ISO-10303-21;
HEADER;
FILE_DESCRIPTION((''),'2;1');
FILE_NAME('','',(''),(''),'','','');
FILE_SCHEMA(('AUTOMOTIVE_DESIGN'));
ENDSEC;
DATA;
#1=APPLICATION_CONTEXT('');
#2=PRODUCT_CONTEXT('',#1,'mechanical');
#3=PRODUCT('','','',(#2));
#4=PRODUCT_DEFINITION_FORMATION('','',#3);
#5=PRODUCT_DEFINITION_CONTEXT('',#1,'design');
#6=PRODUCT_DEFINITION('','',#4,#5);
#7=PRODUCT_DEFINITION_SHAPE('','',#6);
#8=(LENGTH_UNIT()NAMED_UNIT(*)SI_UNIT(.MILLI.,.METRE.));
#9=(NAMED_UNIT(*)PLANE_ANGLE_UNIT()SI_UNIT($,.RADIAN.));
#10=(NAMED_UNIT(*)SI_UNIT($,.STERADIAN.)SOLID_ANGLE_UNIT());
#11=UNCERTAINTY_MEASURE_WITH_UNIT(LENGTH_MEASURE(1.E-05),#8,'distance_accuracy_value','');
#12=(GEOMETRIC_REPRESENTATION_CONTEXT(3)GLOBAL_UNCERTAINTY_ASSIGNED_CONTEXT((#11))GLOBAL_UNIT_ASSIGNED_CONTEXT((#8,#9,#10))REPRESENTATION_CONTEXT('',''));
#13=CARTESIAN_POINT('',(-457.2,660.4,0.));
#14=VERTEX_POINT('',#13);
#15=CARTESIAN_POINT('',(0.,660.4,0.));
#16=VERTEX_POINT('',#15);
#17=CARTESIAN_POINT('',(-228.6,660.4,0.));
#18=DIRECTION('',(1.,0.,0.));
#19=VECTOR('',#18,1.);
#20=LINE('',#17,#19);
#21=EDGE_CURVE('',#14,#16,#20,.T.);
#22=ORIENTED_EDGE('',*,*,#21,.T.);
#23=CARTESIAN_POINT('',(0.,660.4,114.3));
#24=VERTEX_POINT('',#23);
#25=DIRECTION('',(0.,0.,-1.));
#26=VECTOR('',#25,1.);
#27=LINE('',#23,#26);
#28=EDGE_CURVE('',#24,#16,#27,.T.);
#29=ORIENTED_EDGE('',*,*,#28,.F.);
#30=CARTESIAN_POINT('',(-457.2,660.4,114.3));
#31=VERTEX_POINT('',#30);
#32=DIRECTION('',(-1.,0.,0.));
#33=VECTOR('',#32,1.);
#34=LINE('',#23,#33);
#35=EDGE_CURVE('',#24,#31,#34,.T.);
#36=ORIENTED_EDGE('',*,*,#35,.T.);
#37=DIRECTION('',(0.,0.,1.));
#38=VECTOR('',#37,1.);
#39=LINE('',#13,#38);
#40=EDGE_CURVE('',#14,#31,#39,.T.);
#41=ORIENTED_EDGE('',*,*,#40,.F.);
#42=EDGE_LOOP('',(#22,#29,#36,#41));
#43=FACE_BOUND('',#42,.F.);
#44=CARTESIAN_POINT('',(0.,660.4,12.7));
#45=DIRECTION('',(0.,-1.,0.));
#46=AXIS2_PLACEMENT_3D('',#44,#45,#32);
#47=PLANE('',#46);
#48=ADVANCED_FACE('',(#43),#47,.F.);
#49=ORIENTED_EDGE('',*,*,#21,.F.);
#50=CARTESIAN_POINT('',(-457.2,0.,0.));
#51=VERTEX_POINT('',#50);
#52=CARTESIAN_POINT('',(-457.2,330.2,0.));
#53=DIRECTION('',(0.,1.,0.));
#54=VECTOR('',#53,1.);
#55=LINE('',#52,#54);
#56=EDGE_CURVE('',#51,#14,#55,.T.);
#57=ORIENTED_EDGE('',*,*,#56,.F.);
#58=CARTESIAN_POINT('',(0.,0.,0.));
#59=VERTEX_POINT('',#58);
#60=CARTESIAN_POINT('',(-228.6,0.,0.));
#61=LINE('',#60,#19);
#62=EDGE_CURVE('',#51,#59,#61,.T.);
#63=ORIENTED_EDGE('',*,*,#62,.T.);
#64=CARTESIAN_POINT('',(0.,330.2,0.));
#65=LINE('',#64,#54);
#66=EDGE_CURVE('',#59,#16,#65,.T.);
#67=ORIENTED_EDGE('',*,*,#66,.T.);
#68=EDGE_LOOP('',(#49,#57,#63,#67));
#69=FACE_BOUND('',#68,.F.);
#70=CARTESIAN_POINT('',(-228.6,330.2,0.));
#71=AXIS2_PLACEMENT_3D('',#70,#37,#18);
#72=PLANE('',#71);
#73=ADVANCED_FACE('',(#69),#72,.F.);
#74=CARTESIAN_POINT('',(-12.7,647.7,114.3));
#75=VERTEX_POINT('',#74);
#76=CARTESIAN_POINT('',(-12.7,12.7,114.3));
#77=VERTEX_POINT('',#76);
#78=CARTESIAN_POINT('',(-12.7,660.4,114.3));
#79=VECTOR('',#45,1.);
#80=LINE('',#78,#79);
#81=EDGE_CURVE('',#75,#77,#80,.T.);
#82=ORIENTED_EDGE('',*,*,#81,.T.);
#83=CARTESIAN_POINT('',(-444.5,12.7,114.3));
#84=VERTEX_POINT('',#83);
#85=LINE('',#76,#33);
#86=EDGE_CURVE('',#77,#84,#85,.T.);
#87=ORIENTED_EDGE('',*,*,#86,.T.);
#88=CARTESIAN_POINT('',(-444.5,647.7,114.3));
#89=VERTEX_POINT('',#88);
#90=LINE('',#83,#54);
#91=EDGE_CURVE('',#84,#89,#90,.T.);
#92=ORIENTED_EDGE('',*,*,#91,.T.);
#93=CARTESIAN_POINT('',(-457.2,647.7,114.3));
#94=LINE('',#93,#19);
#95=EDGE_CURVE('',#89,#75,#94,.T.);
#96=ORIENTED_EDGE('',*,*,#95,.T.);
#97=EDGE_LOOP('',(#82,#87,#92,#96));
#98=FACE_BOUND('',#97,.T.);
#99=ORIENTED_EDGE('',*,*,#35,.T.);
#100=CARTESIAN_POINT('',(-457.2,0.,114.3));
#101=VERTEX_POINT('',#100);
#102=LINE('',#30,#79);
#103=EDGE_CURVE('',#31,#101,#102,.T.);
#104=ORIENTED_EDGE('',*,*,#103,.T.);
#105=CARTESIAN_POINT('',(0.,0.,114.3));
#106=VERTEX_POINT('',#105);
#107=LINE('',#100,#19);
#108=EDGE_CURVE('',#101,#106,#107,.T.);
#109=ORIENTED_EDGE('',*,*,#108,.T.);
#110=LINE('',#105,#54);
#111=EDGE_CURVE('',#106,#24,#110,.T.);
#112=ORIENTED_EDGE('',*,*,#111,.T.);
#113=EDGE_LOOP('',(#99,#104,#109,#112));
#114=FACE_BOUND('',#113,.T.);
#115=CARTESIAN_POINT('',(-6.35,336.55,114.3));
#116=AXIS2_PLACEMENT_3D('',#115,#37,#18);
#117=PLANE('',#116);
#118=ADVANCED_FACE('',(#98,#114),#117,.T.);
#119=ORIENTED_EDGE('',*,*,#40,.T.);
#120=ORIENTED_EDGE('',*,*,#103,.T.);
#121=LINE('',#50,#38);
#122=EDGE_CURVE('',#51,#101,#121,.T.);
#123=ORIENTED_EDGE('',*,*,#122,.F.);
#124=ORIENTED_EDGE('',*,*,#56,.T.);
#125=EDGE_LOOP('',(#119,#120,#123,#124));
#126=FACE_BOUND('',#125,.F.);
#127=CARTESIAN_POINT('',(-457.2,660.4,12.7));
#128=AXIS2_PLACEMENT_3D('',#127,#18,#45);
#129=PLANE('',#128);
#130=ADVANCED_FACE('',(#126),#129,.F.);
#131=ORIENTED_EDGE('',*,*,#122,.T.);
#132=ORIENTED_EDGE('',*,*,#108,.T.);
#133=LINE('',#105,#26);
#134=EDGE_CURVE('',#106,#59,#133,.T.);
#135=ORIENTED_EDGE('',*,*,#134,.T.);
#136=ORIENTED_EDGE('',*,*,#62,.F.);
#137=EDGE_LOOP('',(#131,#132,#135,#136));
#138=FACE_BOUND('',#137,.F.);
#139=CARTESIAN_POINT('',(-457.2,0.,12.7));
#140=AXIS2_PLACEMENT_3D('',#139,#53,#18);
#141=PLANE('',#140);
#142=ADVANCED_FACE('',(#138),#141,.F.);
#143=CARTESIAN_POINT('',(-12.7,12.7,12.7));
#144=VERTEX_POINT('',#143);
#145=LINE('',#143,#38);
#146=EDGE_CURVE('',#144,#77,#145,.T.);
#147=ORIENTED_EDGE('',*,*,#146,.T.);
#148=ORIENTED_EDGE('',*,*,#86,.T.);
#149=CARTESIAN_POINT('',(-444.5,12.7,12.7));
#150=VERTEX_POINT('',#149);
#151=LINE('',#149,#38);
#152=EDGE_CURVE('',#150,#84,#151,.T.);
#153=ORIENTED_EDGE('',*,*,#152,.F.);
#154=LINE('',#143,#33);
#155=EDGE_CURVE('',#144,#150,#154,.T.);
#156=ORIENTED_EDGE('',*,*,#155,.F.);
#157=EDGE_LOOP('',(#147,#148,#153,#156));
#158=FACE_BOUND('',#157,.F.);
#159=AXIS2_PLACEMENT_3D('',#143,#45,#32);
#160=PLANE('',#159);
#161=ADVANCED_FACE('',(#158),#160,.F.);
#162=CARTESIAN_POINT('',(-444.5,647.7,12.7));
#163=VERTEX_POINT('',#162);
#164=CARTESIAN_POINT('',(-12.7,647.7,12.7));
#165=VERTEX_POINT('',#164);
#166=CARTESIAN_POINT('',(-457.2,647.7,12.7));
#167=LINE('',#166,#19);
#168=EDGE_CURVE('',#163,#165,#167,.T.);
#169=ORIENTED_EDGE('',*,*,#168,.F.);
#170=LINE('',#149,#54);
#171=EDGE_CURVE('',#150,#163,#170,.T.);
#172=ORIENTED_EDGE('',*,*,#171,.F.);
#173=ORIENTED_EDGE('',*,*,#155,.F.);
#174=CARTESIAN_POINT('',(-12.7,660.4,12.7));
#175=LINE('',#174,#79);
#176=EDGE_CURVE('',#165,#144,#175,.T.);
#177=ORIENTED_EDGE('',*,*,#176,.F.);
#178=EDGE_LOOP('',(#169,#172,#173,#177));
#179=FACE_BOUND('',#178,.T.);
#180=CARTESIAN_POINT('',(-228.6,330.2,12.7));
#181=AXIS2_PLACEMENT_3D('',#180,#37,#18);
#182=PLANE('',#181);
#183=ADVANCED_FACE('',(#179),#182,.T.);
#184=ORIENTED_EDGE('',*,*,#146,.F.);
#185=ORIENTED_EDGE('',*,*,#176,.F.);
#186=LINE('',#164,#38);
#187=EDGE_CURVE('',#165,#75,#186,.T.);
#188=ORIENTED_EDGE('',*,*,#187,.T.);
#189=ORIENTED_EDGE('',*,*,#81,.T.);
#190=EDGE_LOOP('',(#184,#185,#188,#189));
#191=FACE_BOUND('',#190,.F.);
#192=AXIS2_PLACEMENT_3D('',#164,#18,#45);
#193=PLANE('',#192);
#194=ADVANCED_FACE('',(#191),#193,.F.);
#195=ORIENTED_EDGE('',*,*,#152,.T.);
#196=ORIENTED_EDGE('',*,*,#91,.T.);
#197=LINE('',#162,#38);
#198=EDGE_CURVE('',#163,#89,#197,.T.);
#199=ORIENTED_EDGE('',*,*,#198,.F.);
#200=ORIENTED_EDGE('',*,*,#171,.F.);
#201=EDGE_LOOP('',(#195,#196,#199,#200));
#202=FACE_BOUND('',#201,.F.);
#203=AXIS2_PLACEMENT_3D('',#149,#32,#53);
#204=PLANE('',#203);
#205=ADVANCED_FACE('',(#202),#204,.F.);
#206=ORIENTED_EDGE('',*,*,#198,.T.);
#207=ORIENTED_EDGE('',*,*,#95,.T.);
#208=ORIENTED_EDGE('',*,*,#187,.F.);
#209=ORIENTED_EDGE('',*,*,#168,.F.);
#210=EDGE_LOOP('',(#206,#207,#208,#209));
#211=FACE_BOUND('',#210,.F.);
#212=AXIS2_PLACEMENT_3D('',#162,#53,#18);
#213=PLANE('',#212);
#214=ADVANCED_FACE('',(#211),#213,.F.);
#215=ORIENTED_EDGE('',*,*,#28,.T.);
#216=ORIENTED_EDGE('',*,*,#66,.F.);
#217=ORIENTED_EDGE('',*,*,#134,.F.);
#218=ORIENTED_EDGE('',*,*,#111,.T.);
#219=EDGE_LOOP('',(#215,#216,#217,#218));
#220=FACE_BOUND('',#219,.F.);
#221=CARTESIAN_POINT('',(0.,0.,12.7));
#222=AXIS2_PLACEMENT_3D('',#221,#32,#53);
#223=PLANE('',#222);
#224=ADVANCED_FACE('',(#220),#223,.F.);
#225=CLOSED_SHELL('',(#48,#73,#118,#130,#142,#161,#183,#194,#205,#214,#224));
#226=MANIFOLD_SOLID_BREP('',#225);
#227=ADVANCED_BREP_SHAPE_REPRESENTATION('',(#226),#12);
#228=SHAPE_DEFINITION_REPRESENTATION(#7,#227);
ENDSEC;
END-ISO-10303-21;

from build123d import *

# Parameters (mm, degrees)
F0_W     = 457.2
F0_H     = 660.4
F1_DEPTH = 12.7
F3_DEPTH = 101.6


with BuildPart() as f1:
    # F0 (on Top) → F1 (new body)
    with BuildSketch(Plane.XY):
        with Locations((-228.6, 330.2)):
            Rectangle(F0_W, F0_H)
    extrude(amount=F1_DEPTH)

    # F2 (on face) → F3 (join)
    with BuildSketch(Plane.XY.offset(12.7)):
        Polygon((0, 12.7), (0, 660.4), (-12.7, 660.4), (-12.7, 647.7), (-12.7, 12.7), align=None)
        Polygon((-12.7, 647.7), (-12.7, 660.4), (-457.2, 660.4), (-457.2, 647.7), (-444.5, 647.7), align=None)
        Polygon((0, 0), (0, 12.7), (-12.7, 12.7), (-444.5, 12.7), (-444.5, 0), align=None)
        Polygon((-444.5, 12.7), (-444.5, 647.7), (-457.2, 647.7), (-457.2, 0), (-444.5, 0), align=None)
    extrude(amount=F3_DEPTH)


solid = f1.part
